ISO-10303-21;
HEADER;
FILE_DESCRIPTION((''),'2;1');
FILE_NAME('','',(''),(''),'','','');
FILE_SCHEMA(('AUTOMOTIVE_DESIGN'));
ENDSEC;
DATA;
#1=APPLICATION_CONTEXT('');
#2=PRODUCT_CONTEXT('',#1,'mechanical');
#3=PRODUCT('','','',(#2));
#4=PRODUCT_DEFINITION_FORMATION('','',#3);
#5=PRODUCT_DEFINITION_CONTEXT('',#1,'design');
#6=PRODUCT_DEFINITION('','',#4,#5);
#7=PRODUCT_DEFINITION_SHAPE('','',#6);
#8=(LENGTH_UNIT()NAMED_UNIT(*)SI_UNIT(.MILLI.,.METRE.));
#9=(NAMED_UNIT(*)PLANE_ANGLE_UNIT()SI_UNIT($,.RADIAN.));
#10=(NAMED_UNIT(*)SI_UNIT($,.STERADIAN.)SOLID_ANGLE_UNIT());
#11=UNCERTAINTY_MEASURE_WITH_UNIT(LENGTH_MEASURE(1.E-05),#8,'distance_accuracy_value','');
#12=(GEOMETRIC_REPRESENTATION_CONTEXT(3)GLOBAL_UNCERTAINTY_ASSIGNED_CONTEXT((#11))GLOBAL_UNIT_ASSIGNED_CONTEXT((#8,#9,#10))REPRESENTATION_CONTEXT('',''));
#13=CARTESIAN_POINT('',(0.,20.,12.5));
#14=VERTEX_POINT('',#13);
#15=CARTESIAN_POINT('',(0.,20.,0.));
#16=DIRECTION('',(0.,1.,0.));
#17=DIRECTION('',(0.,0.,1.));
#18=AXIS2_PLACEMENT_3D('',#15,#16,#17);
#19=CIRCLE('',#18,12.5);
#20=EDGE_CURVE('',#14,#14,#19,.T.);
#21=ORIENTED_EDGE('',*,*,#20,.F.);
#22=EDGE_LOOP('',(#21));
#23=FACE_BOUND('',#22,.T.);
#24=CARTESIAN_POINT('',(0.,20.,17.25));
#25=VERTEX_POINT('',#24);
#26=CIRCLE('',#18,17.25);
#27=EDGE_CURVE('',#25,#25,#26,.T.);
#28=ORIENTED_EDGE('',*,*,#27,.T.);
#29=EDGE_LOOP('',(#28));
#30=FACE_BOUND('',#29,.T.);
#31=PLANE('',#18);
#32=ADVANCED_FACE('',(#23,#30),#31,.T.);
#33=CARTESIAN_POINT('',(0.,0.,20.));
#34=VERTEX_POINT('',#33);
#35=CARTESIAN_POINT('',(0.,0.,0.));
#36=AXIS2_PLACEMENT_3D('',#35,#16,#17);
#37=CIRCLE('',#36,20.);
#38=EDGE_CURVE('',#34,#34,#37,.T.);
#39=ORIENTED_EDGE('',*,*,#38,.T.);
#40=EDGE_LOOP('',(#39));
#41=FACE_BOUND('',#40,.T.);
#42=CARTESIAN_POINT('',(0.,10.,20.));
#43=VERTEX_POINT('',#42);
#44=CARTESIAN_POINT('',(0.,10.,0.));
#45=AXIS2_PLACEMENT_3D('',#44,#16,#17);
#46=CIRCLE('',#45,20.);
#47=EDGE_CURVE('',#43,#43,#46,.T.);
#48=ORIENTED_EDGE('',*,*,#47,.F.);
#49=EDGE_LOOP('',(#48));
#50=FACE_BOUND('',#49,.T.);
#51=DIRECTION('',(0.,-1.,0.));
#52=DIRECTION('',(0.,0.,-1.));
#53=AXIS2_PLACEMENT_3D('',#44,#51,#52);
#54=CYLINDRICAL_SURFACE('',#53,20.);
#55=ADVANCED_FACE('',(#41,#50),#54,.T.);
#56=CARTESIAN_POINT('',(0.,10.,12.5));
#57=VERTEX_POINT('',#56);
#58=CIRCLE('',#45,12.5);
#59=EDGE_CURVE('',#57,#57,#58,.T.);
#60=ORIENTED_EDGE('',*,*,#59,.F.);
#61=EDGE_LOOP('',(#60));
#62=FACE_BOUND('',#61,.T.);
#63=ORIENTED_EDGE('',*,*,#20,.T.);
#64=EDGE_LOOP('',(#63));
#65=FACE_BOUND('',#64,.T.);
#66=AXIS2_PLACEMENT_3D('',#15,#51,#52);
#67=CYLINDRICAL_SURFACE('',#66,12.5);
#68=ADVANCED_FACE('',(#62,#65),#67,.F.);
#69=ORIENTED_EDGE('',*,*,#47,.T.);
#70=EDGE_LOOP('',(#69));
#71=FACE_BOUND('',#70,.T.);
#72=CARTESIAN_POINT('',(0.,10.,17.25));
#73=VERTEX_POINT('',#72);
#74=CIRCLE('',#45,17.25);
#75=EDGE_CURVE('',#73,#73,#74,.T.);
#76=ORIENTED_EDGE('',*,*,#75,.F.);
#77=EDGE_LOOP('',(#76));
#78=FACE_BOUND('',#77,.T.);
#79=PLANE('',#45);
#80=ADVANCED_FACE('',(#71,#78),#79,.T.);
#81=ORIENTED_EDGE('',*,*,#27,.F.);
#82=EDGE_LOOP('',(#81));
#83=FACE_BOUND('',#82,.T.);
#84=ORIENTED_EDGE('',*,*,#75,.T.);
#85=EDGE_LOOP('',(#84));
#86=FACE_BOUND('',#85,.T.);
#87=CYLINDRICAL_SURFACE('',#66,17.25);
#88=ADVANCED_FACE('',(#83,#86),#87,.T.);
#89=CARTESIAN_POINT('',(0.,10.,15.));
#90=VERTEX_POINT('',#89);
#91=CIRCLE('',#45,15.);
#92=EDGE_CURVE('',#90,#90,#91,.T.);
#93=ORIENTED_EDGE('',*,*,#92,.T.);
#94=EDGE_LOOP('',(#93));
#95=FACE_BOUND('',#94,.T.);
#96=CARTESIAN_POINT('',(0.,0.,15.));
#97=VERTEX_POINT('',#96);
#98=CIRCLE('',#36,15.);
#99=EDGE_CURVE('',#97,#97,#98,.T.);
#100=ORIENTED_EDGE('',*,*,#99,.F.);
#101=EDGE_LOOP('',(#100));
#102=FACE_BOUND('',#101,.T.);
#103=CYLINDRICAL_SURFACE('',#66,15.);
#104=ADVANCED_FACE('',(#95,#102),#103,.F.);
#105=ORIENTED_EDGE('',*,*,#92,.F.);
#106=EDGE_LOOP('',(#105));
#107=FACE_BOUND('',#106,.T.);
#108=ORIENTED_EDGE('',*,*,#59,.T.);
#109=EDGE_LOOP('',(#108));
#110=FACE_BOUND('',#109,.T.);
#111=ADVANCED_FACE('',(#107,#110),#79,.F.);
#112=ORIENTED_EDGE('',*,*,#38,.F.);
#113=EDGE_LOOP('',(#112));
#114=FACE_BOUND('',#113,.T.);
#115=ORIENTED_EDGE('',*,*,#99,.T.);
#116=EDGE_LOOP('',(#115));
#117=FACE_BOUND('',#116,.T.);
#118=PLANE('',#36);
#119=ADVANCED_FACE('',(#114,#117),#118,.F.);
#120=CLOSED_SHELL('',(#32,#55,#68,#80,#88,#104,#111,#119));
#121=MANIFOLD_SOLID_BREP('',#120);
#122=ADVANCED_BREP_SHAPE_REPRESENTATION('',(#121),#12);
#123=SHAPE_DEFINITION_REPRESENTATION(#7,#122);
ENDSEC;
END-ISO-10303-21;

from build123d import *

# Parameters (mm, degrees)
SKETCH2_R           = 17.25
SKETCH2_R_2         = 15
BOSS_EXTRUDE4_DEPTH = 20
SKETCH4_R           = 20
SKETCH4_R_2         = 15
BOSS_EXTRUDE6_DEPTH = 10
BOSS_EXTRUDE7_START = 10
SKETCH5_R           = 15
SKETCH5_R_2         = 12.5
BOSS_EXTRUDE7_DEPTH = 10


with BuildPart() as part:
    # Sketch2 → Boss-Extrude4 (new body)
    with BuildSketch(Plane(origin=(0, 0, 0), x_dir=(1, 0, 0), z_dir=(0, 1, 0))):
        Circle(SKETCH2_R)
        Circle(SKETCH2_R_2, mode=Mode.SUBTRACT)
    extrude(amount=BOSS_EXTRUDE4_DEPTH)

    # Sketch4 → Boss-Extrude6 (add)
    with BuildSketch(Plane(origin=(0, 0, 0), x_dir=(1, 0, 0), z_dir=(0, 1, 0))):
        Circle(SKETCH4_R)
        Circle(SKETCH4_R_2, mode=Mode.SUBTRACT)
    extrude(amount=BOSS_EXTRUDE6_DEPTH)

    # Sketch5 → Boss-Extrude7 (add)
    with BuildSketch(Plane(origin=(0, 0, 0), x_dir=(1, 0, 0), z_dir=(0, 1, 0)).offset(BOSS_EXTRUDE7_START)):
        Circle(SKETCH5_R)
        Circle(SKETCH5_R_2, mode=Mode.SUBTRACT)
    extrude(amount=BOSS_EXTRUDE7_DEPTH)


solid = part.part
